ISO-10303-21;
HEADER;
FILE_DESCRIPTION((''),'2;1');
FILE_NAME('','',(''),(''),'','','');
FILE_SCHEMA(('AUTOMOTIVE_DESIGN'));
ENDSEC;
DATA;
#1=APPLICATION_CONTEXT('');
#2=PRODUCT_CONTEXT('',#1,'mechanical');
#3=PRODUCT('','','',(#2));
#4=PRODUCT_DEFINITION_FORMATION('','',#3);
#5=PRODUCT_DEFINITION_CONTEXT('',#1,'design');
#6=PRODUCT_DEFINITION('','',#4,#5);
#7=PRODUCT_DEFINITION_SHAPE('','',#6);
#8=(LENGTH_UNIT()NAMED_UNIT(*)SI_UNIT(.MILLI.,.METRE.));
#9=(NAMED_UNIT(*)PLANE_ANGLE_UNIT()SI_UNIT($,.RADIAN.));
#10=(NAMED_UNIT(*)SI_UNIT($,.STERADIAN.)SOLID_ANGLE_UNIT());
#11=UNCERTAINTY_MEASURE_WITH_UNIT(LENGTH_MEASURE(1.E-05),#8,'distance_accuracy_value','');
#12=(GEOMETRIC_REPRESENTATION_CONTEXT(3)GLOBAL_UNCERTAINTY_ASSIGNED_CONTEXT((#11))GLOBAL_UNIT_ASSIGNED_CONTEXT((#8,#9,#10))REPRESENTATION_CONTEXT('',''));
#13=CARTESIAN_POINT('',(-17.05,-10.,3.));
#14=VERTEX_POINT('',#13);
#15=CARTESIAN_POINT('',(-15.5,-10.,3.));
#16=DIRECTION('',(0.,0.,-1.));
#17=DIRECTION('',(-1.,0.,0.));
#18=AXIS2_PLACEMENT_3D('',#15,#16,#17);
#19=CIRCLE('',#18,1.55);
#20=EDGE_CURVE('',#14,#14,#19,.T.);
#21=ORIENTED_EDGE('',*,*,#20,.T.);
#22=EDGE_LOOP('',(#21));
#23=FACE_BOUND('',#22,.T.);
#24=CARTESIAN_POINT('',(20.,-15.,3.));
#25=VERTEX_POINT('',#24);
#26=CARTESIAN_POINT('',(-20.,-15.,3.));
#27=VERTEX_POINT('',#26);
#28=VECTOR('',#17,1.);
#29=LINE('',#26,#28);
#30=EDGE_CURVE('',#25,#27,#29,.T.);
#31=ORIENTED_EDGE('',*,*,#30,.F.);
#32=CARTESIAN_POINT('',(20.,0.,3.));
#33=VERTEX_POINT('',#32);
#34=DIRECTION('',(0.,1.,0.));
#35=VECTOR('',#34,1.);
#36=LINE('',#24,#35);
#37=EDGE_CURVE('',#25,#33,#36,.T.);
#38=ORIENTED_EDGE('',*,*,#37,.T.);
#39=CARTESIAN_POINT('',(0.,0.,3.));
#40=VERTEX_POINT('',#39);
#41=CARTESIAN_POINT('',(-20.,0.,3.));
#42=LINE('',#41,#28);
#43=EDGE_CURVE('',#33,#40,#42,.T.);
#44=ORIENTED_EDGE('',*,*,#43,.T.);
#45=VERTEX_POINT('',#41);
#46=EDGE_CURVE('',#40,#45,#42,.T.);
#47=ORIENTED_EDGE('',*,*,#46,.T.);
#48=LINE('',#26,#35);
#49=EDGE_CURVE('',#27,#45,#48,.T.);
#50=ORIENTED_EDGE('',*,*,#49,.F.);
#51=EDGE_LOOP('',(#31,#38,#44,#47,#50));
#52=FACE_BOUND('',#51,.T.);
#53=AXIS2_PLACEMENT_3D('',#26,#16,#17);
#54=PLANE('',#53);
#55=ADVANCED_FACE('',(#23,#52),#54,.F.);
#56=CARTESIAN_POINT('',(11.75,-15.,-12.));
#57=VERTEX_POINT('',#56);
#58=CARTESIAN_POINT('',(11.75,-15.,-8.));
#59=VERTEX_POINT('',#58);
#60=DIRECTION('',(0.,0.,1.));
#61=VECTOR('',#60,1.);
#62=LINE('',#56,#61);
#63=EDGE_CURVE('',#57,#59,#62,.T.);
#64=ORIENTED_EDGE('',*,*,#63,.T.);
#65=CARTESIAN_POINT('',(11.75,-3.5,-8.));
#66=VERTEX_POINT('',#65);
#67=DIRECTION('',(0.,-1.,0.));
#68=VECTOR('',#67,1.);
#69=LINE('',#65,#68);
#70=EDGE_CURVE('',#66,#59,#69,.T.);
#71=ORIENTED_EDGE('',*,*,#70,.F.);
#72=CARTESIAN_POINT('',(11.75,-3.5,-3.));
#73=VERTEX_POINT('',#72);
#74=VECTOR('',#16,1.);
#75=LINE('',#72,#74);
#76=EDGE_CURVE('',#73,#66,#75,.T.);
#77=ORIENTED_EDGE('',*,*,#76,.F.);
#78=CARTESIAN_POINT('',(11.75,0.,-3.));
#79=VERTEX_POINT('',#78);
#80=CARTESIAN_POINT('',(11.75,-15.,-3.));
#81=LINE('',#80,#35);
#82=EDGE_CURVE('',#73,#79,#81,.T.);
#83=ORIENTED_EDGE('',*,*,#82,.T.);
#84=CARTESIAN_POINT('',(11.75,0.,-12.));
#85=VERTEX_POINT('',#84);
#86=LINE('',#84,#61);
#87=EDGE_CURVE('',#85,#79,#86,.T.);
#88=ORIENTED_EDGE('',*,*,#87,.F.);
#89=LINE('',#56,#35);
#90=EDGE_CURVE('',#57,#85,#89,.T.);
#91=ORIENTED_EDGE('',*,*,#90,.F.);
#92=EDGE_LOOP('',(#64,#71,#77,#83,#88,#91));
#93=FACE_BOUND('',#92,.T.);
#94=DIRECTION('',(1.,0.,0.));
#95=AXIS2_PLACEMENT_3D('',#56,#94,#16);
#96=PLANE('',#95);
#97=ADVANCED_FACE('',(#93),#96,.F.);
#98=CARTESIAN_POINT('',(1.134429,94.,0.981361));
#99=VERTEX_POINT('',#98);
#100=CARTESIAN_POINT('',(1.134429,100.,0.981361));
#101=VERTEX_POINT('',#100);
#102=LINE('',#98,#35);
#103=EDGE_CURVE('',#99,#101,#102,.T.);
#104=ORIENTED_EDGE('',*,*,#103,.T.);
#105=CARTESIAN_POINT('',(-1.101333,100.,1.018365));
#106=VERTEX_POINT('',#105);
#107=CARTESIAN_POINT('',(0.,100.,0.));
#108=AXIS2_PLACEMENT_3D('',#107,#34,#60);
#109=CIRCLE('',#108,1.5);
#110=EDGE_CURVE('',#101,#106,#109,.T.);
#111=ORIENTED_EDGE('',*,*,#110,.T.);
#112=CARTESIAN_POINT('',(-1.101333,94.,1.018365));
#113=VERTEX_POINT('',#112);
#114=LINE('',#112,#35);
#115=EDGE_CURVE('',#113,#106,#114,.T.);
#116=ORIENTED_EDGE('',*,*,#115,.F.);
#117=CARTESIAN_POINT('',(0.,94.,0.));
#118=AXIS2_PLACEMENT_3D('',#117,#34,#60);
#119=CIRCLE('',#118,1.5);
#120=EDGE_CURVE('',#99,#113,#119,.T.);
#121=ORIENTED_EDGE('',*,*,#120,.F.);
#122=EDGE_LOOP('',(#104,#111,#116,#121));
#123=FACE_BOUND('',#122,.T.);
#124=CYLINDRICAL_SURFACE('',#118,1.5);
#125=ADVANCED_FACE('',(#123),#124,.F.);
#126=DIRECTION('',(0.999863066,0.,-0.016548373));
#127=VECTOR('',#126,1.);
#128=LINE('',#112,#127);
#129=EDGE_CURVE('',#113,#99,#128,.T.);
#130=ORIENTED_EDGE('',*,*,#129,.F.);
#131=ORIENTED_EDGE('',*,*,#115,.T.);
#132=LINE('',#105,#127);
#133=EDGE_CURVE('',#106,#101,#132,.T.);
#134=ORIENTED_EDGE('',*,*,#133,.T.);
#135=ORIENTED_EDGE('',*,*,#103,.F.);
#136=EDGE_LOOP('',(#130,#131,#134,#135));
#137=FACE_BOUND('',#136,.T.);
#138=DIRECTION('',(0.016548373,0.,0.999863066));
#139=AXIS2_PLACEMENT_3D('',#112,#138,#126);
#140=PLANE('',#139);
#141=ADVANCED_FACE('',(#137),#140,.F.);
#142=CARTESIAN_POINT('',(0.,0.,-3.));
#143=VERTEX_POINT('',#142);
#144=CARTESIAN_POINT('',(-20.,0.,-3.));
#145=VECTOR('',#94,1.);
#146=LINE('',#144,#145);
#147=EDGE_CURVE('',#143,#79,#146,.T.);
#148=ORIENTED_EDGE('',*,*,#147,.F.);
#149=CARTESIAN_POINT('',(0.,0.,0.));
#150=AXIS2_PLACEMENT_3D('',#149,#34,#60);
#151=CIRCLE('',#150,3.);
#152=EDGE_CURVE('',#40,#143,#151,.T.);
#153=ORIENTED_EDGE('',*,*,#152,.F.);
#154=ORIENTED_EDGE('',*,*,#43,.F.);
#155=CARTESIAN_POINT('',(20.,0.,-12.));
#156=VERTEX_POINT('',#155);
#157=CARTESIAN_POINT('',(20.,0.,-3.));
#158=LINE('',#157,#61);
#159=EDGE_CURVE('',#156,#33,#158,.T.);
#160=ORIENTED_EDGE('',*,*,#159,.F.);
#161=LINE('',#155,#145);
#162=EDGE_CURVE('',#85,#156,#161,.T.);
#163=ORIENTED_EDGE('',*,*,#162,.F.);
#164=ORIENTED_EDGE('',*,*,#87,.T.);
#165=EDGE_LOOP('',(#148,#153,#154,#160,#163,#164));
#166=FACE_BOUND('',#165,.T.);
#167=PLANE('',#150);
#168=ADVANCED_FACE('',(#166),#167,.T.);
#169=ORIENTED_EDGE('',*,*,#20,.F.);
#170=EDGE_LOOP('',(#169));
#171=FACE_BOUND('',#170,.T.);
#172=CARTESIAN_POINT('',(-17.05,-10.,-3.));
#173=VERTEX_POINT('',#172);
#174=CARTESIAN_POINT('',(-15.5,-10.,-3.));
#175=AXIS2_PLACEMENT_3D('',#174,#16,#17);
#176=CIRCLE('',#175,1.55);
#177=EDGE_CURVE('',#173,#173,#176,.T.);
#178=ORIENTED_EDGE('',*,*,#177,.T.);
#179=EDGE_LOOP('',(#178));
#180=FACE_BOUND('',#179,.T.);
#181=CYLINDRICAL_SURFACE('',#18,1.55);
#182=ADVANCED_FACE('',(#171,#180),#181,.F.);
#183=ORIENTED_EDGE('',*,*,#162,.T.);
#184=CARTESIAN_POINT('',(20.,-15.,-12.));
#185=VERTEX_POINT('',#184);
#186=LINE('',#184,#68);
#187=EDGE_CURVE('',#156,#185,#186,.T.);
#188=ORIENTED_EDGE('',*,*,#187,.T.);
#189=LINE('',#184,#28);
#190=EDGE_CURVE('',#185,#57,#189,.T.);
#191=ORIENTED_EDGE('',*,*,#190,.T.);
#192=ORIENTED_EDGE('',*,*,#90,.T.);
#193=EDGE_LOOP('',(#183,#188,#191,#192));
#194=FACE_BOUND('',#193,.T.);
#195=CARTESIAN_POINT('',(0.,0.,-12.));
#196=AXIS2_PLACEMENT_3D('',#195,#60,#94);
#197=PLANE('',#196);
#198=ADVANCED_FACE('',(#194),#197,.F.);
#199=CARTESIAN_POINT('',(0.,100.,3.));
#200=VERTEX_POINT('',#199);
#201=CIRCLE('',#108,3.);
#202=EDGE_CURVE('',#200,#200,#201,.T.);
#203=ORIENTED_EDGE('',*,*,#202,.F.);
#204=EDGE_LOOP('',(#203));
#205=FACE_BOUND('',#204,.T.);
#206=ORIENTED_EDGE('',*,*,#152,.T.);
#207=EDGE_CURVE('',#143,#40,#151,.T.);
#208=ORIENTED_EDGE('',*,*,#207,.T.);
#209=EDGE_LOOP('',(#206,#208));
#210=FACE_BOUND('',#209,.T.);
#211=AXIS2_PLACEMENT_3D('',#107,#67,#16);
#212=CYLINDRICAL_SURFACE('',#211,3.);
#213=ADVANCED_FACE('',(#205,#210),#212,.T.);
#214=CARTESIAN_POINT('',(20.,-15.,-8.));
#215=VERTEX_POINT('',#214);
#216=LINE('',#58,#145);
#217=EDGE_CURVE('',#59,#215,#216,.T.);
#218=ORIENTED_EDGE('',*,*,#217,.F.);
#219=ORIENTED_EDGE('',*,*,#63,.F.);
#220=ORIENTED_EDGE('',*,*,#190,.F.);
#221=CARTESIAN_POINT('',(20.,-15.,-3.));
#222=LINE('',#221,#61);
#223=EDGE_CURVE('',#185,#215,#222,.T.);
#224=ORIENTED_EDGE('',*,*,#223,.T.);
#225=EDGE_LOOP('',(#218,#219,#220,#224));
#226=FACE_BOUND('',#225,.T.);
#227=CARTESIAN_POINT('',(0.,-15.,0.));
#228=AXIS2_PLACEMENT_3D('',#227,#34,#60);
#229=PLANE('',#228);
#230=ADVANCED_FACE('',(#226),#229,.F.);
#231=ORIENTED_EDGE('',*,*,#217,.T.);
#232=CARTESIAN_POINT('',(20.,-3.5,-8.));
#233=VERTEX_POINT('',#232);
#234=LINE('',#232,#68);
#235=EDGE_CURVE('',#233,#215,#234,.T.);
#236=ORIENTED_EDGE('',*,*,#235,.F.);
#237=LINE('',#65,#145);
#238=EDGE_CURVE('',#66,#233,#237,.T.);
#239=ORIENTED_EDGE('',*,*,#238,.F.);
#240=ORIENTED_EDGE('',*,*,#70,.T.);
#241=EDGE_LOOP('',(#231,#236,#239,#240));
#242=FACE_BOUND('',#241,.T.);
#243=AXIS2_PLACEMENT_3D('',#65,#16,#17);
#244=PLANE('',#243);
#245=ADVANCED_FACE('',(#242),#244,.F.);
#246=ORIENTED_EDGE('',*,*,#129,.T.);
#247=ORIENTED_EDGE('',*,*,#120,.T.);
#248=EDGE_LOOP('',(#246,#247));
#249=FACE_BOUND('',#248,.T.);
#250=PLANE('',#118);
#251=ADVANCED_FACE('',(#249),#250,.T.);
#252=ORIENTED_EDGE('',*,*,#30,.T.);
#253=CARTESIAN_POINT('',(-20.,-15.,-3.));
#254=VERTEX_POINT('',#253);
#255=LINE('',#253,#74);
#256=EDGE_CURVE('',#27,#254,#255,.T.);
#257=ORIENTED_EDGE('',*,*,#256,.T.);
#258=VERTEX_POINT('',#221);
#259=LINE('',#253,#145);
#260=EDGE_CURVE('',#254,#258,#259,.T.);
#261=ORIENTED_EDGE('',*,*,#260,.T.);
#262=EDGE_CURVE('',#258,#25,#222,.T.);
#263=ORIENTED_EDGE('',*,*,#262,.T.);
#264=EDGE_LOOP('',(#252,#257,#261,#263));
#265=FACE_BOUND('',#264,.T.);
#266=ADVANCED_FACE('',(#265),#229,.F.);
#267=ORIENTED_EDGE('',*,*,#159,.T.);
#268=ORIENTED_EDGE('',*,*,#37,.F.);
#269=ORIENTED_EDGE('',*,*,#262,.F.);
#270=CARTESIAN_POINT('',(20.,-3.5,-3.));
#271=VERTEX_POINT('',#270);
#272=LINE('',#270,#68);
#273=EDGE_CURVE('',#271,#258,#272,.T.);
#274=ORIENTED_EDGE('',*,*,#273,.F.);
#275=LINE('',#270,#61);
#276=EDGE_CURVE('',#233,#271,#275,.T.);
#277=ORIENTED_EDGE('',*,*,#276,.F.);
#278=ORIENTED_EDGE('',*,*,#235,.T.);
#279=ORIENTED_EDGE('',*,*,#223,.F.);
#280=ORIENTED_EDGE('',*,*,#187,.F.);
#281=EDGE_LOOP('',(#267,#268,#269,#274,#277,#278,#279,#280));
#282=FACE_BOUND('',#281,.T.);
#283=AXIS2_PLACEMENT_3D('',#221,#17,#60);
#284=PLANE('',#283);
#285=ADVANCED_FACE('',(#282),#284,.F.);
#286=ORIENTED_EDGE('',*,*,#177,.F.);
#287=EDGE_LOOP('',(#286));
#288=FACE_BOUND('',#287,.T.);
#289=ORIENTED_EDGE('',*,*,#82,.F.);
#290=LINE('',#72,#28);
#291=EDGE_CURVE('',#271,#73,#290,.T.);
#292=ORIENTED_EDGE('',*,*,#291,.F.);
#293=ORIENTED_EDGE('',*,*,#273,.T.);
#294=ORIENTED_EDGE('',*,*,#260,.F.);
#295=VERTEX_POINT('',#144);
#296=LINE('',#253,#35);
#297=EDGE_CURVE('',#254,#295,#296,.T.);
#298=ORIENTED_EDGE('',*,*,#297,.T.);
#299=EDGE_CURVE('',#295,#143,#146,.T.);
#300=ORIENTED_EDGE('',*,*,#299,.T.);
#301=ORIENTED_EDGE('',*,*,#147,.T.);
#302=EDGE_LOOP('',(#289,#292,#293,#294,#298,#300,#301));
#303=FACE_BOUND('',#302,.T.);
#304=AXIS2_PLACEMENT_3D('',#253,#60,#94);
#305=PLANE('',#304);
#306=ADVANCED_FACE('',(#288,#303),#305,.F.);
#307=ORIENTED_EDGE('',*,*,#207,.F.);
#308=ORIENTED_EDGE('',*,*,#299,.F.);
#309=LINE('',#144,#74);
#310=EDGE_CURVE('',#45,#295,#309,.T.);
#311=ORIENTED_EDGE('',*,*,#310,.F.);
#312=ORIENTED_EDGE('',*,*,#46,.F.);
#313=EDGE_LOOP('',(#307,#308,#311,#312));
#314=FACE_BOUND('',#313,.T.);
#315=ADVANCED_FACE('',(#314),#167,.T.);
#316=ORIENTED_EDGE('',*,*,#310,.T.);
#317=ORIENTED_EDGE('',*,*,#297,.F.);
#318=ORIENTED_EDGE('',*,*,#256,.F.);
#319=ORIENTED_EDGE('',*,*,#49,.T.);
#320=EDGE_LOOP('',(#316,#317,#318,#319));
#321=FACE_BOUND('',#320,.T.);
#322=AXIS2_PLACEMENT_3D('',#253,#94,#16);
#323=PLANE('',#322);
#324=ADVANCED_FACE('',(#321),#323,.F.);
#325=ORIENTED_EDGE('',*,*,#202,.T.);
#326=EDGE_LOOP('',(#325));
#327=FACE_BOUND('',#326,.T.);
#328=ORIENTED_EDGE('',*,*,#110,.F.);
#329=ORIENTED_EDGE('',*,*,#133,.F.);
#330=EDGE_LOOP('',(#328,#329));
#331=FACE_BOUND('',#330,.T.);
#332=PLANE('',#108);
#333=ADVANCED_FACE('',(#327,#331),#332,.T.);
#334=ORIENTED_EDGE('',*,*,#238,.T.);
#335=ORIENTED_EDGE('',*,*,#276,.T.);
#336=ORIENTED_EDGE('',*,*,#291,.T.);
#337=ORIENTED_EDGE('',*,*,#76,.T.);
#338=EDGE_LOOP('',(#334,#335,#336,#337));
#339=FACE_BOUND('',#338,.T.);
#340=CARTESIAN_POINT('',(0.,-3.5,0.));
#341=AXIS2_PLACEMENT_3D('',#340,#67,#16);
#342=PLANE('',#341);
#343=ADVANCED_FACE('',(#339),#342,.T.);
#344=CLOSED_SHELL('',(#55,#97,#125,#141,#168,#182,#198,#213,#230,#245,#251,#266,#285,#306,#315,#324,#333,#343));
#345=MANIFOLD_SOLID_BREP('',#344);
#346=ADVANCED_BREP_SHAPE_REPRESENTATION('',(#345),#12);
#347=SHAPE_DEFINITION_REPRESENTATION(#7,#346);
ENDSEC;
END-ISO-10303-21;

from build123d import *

# Parameters (mm, degrees)
SKETCH1_R           = 3
BOSS_EXTRUDE1_DEPTH = 100
CUT_EXTRUDE1_DEPTH  = 6
SKETCH3_W           = 40
SKETCH3_H           = 6
BOSS_EXTRUDE2_DEPTH = 15
SKETCH4_R           = 1.55
CUT_EXTRUDE2_DEPTH  = 103.156742313
SKETCH6_W           = 8.25
SKETCH6_H           = 15
BOSS_EXTRUDE3_DEPTH = 9
SKETCH7_W           = 8.25
SKETCH7_H           = 5
CUT_EXTRUDE3_DEPTH  = 11.5


with BuildPart() as part:
    # Sketch1 → Boss-Extrude1 (new body)
    with BuildSketch(Plane(origin=(0, 0, 0), x_dir=(1, 0, 0), z_dir=(0, 1, 0))):
        with Locations(Location((0, 0, 0), (0, 0, 270))):
            Circle(SKETCH1_R)
    extrude(amount=BOSS_EXTRUDE1_DEPTH)

    # Sketch2 → Cut-Extrude1 (cut)
    with BuildSketch(Plane(origin=(0, 100, 0), x_dir=(1, 0, 0), z_dir=(0, 1, 0))):
        with BuildLine():
            Line((-1.101332519, -1.01836471), (1.134429265, -0.981361423))
            ThreePointArc((1.134429265, -0.981361423), (-0.02482256, 1.499794599), (-1.101332519, -1.01836471))
        make_face()
    extrude(amount=-CUT_EXTRUDE1_DEPTH, mode=Mode.SUBTRACT)

    # Sketch3 → Boss-Extrude2 (add)
    with BuildSketch(Plane.XZ):
        Rectangle(SKETCH3_W, SKETCH3_H)
    extrude(amount=BOSS_EXTRUDE2_DEPTH)

    # Sketch4 → Cut-Extrude2 (cut, through all)
    with BuildSketch(Plane(origin=(0, 0, -3), x_dir=(-1, 0, 0), z_dir=(0, 0, -1))):
        with Locations((15.5, -10)):
            Circle(SKETCH4_R)
    extrude(amount=-CUT_EXTRUDE2_DEPTH, mode=Mode.SUBTRACT)

    # Sketch6 → Boss-Extrude3 (add)
    with BuildSketch(Plane(origin=(0, 0, -3), x_dir=(-1, 0, 0), z_dir=(0, 0, -1))):
        with Locations((-15.875, -7.5)):
            Rectangle(SKETCH6_W, SKETCH6_H)
    extrude(amount=BOSS_EXTRUDE3_DEPTH)

    # Sketch7 → Cut-Extrude3 (cut)
    with BuildSketch(Plane.XZ.offset(15)):
        with Locations((15.875, -5.5)):
            Rectangle(SKETCH7_W, SKETCH7_H)
    extrude(amount=-CUT_EXTRUDE3_DEPTH, mode=Mode.SUBTRACT)


solid = part.part
